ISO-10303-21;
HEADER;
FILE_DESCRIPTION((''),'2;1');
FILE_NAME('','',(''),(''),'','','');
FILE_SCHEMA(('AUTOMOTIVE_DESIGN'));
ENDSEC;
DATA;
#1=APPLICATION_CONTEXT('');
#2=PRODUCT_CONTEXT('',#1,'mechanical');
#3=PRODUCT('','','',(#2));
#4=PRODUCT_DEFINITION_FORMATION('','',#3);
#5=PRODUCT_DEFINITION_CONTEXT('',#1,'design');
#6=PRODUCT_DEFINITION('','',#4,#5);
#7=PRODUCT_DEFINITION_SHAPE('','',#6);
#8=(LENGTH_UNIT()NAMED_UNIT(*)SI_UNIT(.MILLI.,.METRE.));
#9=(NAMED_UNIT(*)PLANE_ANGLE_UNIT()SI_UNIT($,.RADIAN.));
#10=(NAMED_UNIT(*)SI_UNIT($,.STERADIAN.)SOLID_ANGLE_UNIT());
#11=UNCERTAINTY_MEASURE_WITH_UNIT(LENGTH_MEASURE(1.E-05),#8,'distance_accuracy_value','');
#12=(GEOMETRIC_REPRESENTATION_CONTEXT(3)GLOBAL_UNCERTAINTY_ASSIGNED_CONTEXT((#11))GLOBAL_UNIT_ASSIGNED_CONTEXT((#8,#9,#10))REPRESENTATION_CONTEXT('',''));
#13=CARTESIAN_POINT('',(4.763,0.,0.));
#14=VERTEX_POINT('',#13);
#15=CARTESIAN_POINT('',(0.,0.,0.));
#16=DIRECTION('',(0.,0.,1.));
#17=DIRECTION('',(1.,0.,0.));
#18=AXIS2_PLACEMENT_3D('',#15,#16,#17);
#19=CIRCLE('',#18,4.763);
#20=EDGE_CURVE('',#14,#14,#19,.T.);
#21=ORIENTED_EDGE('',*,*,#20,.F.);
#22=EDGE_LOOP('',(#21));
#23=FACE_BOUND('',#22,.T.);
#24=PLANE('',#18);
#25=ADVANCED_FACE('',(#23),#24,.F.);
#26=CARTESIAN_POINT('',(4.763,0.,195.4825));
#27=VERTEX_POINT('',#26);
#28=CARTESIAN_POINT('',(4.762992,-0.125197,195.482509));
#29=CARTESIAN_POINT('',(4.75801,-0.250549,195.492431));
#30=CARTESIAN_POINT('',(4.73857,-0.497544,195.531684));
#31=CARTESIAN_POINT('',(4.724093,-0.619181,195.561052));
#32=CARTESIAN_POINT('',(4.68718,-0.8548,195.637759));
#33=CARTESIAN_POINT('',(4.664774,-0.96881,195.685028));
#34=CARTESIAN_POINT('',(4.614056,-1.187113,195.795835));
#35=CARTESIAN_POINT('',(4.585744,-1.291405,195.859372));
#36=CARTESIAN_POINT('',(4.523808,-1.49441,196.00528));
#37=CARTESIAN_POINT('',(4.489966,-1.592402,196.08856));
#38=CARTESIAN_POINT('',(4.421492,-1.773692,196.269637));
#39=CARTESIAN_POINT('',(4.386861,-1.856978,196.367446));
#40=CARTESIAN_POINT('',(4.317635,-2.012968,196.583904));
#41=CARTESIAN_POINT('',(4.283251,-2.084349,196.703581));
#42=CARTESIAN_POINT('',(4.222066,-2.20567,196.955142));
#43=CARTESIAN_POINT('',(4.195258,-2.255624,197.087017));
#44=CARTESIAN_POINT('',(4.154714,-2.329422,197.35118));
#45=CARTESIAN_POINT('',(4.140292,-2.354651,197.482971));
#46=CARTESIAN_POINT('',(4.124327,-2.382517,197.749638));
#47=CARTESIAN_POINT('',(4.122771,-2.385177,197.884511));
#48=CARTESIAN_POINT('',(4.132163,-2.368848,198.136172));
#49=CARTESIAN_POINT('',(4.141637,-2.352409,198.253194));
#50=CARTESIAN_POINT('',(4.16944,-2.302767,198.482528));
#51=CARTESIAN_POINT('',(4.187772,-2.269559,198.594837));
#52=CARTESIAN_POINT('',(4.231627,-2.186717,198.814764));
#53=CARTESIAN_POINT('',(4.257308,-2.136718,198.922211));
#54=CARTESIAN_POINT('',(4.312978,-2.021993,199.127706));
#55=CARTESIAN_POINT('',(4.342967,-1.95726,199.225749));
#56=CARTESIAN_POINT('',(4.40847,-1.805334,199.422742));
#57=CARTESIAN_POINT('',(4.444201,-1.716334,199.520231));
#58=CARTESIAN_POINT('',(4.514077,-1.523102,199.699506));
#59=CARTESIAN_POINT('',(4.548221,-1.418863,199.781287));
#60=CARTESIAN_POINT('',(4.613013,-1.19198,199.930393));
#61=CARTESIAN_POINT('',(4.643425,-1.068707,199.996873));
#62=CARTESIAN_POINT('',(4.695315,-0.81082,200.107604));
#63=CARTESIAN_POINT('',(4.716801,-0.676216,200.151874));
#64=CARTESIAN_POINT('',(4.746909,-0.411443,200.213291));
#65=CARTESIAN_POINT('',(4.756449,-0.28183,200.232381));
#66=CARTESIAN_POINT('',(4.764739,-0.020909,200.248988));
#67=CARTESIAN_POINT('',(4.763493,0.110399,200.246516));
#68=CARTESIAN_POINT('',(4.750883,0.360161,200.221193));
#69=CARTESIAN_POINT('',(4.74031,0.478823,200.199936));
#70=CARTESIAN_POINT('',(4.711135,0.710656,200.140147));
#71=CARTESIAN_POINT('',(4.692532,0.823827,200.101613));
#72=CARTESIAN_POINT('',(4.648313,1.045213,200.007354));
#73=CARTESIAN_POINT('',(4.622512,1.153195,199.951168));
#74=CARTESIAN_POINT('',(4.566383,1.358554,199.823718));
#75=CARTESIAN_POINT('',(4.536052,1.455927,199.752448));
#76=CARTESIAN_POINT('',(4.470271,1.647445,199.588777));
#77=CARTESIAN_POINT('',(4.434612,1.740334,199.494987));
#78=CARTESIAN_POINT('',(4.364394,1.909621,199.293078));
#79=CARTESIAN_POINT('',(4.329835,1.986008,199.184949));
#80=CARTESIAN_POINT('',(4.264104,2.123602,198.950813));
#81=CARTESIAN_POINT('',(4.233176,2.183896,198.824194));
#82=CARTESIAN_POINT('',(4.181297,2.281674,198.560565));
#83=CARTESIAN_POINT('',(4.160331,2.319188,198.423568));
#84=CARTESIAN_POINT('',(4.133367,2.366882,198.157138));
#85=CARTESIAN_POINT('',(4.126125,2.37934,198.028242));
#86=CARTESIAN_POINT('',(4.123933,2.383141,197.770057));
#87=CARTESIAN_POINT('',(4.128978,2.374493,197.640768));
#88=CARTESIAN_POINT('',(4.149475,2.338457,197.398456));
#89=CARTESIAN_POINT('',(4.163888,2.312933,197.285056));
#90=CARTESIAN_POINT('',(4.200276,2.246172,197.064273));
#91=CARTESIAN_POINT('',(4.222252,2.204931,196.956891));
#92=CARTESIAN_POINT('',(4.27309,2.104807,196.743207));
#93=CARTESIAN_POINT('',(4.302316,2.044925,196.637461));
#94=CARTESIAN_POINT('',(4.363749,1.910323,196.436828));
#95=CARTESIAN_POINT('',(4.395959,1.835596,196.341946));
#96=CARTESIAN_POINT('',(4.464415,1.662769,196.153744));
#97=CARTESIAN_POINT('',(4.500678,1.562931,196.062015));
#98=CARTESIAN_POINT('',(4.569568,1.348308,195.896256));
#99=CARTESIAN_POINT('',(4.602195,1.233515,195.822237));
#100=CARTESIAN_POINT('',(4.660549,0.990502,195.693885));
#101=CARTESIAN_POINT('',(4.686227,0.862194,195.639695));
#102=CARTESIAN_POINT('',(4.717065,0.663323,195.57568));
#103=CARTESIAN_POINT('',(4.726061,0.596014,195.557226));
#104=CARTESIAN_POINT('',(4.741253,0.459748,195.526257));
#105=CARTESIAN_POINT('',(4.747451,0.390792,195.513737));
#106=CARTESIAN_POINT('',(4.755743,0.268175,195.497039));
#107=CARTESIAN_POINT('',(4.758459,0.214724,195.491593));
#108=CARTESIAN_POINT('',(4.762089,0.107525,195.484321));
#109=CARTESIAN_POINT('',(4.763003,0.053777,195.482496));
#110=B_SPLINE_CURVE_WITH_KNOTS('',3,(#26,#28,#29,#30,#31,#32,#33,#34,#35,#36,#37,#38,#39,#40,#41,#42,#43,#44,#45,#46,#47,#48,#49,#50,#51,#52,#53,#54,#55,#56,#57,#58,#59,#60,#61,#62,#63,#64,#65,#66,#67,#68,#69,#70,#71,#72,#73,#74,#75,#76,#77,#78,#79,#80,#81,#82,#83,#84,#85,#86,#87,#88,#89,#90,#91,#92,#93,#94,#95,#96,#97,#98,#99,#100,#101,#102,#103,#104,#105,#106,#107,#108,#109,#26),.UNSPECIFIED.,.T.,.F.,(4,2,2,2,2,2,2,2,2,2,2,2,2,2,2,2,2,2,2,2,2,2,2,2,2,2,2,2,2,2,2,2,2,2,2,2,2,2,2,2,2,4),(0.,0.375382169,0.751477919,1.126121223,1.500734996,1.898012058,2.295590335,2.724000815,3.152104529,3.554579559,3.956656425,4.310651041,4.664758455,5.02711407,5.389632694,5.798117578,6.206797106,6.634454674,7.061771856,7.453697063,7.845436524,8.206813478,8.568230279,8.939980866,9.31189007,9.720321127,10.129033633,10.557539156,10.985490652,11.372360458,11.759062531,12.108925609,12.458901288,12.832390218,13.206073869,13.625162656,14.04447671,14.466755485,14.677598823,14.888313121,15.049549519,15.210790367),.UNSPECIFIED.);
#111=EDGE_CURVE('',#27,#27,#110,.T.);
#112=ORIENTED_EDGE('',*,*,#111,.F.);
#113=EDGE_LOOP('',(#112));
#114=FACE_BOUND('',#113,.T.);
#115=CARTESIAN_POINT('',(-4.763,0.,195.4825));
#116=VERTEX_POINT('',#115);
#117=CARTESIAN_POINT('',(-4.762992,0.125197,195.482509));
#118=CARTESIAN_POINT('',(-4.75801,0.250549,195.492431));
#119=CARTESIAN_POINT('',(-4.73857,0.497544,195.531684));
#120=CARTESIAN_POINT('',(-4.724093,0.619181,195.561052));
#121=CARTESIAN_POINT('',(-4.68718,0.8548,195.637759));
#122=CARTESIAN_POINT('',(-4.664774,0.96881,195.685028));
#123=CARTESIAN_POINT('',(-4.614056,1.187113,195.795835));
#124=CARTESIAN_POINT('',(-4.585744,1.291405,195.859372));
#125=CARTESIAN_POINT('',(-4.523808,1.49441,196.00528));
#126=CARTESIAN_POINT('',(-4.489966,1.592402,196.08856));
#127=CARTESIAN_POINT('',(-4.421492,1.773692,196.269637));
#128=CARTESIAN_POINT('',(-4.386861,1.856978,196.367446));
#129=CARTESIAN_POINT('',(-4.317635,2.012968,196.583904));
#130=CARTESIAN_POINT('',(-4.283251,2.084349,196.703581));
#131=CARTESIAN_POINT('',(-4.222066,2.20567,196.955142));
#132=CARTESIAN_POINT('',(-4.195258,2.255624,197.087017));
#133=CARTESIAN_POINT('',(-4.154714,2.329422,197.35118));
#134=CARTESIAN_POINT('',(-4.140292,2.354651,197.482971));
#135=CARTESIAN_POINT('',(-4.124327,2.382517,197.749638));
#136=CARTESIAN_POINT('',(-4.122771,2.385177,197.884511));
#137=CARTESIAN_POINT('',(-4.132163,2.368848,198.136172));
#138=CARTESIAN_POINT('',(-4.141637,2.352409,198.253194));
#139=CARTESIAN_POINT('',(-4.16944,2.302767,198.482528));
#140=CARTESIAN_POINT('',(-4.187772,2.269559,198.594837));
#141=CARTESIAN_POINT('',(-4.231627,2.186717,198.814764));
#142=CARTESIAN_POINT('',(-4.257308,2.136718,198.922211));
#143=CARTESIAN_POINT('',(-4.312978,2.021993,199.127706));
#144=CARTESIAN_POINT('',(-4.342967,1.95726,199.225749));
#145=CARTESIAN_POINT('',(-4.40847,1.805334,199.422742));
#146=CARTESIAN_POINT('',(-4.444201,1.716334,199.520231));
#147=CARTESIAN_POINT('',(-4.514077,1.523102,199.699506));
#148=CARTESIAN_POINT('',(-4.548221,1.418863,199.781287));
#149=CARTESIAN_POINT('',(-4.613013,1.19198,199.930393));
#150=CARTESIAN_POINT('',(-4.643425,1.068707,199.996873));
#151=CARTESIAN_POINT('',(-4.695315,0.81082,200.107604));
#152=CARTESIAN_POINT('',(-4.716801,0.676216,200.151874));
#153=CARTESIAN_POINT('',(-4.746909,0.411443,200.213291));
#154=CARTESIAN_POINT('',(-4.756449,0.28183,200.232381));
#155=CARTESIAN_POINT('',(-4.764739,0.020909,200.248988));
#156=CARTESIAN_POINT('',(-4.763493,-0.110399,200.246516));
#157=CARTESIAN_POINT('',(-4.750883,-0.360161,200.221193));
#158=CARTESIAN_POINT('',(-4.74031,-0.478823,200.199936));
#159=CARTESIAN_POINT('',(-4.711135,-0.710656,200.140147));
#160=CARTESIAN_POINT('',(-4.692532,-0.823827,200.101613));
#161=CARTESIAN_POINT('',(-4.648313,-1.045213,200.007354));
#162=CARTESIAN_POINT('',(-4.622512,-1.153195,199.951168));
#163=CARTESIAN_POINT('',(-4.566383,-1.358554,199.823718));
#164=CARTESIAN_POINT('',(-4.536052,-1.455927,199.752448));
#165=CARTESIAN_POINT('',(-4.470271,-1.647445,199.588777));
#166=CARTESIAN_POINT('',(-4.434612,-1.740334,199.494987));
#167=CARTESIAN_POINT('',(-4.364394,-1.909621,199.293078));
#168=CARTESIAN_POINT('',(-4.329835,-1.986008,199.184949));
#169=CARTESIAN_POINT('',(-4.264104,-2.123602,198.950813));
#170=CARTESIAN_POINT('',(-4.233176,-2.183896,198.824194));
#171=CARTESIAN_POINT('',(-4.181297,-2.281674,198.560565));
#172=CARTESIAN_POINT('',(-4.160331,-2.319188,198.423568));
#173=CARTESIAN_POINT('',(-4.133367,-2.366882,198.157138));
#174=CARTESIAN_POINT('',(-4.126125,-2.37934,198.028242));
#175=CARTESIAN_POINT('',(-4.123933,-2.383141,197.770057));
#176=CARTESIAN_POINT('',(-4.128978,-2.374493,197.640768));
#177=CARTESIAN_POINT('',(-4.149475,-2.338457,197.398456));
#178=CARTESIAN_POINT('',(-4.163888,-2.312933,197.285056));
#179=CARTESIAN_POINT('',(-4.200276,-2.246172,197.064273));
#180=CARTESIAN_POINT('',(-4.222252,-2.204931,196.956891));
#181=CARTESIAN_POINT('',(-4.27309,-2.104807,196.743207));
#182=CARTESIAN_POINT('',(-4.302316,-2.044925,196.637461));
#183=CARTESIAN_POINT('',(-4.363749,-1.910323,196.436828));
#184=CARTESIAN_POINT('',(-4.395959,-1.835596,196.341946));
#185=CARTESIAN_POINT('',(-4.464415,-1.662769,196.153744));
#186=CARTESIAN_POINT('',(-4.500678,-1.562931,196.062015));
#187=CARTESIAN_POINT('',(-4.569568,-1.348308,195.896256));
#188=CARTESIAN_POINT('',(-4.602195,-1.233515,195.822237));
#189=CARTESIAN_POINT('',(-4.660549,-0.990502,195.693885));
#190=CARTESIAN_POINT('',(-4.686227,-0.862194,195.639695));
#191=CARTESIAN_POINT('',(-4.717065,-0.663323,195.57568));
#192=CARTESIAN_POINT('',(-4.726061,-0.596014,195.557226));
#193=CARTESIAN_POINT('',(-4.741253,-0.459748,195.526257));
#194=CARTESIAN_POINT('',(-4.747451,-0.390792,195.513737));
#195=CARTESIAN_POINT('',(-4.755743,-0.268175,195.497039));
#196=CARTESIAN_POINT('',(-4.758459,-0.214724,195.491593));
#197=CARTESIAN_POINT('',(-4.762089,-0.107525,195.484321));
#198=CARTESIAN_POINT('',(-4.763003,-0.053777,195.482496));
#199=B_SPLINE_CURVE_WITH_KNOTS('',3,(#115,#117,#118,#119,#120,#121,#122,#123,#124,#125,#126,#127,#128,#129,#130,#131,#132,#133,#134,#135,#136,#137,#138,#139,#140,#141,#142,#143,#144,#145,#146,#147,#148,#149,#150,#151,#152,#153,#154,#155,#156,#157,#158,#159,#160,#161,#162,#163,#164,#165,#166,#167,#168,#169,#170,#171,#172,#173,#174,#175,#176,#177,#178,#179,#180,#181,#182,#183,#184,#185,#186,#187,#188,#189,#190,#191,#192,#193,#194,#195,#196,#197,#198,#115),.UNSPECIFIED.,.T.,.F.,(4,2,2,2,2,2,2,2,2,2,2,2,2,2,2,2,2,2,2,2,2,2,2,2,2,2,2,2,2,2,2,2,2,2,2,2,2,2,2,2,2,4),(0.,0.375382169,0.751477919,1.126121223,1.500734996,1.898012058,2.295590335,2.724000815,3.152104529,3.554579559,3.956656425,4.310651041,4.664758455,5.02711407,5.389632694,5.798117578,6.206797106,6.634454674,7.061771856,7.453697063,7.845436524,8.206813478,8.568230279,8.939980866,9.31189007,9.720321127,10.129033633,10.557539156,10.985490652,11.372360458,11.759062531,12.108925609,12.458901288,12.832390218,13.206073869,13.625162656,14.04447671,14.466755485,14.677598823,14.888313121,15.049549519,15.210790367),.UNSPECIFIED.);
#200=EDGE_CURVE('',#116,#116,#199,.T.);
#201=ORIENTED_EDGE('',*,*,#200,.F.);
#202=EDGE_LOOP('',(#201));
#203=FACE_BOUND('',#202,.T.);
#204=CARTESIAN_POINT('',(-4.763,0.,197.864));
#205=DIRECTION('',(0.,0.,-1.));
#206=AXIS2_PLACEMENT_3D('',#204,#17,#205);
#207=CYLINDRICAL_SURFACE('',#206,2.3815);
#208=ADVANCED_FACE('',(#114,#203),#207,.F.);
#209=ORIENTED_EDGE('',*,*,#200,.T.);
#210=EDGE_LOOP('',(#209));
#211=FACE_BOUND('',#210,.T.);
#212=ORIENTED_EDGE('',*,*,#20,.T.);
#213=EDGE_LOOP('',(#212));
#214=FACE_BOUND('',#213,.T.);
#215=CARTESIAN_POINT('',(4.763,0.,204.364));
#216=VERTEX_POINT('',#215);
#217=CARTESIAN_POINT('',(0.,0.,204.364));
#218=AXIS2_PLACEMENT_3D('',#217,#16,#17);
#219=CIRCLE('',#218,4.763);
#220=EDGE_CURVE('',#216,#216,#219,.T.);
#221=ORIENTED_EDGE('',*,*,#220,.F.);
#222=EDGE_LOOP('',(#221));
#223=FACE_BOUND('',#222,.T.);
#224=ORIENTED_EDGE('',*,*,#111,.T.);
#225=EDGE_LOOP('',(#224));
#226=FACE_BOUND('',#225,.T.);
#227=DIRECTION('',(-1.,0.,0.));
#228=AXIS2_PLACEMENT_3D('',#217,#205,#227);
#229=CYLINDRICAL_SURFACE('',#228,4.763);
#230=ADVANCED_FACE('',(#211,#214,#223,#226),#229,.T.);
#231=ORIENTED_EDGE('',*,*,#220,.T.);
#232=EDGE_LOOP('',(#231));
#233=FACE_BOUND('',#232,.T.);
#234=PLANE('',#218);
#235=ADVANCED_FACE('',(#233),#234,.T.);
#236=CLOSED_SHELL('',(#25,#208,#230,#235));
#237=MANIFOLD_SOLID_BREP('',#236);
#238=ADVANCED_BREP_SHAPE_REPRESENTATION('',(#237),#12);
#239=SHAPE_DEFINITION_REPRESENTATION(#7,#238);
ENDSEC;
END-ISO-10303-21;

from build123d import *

# Parameters (mm, degrees)
SKETCH1_R               = 4.763
BOSS_EXTRUDE1_DEPTH     = 204.364
CUT_EXTRUDE1_DEPTH      = 205.474978503
CUT_EXTRUDE1_DEPTH_BACK = 205.474978503
SKETCH2_R               = 2.3815


with BuildPart() as part:
    # Sketch1 → Boss-Extrude1 (new body)
    with BuildSketch(Plane.XY):
        Circle(SKETCH1_R)
    extrude(amount=BOSS_EXTRUDE1_DEPTH)

    # Sketch2 → Cut-Extrude1 (cut, two sides: drawn at the far end of the back side and taken through both)
    with BuildSketch(Plane(origin=(0, 0, 0), x_dir=(0, 0, -1), z_dir=(1, 0, 0)).offset(-CUT_EXTRUDE1_DEPTH_BACK)):
        with Locations((-197.864, 0)):
            Circle(SKETCH2_R)
    extrude(amount=CUT_EXTRUDE1_DEPTH + CUT_EXTRUDE1_DEPTH_BACK, mode=Mode.SUBTRACT)


solid = part.part
